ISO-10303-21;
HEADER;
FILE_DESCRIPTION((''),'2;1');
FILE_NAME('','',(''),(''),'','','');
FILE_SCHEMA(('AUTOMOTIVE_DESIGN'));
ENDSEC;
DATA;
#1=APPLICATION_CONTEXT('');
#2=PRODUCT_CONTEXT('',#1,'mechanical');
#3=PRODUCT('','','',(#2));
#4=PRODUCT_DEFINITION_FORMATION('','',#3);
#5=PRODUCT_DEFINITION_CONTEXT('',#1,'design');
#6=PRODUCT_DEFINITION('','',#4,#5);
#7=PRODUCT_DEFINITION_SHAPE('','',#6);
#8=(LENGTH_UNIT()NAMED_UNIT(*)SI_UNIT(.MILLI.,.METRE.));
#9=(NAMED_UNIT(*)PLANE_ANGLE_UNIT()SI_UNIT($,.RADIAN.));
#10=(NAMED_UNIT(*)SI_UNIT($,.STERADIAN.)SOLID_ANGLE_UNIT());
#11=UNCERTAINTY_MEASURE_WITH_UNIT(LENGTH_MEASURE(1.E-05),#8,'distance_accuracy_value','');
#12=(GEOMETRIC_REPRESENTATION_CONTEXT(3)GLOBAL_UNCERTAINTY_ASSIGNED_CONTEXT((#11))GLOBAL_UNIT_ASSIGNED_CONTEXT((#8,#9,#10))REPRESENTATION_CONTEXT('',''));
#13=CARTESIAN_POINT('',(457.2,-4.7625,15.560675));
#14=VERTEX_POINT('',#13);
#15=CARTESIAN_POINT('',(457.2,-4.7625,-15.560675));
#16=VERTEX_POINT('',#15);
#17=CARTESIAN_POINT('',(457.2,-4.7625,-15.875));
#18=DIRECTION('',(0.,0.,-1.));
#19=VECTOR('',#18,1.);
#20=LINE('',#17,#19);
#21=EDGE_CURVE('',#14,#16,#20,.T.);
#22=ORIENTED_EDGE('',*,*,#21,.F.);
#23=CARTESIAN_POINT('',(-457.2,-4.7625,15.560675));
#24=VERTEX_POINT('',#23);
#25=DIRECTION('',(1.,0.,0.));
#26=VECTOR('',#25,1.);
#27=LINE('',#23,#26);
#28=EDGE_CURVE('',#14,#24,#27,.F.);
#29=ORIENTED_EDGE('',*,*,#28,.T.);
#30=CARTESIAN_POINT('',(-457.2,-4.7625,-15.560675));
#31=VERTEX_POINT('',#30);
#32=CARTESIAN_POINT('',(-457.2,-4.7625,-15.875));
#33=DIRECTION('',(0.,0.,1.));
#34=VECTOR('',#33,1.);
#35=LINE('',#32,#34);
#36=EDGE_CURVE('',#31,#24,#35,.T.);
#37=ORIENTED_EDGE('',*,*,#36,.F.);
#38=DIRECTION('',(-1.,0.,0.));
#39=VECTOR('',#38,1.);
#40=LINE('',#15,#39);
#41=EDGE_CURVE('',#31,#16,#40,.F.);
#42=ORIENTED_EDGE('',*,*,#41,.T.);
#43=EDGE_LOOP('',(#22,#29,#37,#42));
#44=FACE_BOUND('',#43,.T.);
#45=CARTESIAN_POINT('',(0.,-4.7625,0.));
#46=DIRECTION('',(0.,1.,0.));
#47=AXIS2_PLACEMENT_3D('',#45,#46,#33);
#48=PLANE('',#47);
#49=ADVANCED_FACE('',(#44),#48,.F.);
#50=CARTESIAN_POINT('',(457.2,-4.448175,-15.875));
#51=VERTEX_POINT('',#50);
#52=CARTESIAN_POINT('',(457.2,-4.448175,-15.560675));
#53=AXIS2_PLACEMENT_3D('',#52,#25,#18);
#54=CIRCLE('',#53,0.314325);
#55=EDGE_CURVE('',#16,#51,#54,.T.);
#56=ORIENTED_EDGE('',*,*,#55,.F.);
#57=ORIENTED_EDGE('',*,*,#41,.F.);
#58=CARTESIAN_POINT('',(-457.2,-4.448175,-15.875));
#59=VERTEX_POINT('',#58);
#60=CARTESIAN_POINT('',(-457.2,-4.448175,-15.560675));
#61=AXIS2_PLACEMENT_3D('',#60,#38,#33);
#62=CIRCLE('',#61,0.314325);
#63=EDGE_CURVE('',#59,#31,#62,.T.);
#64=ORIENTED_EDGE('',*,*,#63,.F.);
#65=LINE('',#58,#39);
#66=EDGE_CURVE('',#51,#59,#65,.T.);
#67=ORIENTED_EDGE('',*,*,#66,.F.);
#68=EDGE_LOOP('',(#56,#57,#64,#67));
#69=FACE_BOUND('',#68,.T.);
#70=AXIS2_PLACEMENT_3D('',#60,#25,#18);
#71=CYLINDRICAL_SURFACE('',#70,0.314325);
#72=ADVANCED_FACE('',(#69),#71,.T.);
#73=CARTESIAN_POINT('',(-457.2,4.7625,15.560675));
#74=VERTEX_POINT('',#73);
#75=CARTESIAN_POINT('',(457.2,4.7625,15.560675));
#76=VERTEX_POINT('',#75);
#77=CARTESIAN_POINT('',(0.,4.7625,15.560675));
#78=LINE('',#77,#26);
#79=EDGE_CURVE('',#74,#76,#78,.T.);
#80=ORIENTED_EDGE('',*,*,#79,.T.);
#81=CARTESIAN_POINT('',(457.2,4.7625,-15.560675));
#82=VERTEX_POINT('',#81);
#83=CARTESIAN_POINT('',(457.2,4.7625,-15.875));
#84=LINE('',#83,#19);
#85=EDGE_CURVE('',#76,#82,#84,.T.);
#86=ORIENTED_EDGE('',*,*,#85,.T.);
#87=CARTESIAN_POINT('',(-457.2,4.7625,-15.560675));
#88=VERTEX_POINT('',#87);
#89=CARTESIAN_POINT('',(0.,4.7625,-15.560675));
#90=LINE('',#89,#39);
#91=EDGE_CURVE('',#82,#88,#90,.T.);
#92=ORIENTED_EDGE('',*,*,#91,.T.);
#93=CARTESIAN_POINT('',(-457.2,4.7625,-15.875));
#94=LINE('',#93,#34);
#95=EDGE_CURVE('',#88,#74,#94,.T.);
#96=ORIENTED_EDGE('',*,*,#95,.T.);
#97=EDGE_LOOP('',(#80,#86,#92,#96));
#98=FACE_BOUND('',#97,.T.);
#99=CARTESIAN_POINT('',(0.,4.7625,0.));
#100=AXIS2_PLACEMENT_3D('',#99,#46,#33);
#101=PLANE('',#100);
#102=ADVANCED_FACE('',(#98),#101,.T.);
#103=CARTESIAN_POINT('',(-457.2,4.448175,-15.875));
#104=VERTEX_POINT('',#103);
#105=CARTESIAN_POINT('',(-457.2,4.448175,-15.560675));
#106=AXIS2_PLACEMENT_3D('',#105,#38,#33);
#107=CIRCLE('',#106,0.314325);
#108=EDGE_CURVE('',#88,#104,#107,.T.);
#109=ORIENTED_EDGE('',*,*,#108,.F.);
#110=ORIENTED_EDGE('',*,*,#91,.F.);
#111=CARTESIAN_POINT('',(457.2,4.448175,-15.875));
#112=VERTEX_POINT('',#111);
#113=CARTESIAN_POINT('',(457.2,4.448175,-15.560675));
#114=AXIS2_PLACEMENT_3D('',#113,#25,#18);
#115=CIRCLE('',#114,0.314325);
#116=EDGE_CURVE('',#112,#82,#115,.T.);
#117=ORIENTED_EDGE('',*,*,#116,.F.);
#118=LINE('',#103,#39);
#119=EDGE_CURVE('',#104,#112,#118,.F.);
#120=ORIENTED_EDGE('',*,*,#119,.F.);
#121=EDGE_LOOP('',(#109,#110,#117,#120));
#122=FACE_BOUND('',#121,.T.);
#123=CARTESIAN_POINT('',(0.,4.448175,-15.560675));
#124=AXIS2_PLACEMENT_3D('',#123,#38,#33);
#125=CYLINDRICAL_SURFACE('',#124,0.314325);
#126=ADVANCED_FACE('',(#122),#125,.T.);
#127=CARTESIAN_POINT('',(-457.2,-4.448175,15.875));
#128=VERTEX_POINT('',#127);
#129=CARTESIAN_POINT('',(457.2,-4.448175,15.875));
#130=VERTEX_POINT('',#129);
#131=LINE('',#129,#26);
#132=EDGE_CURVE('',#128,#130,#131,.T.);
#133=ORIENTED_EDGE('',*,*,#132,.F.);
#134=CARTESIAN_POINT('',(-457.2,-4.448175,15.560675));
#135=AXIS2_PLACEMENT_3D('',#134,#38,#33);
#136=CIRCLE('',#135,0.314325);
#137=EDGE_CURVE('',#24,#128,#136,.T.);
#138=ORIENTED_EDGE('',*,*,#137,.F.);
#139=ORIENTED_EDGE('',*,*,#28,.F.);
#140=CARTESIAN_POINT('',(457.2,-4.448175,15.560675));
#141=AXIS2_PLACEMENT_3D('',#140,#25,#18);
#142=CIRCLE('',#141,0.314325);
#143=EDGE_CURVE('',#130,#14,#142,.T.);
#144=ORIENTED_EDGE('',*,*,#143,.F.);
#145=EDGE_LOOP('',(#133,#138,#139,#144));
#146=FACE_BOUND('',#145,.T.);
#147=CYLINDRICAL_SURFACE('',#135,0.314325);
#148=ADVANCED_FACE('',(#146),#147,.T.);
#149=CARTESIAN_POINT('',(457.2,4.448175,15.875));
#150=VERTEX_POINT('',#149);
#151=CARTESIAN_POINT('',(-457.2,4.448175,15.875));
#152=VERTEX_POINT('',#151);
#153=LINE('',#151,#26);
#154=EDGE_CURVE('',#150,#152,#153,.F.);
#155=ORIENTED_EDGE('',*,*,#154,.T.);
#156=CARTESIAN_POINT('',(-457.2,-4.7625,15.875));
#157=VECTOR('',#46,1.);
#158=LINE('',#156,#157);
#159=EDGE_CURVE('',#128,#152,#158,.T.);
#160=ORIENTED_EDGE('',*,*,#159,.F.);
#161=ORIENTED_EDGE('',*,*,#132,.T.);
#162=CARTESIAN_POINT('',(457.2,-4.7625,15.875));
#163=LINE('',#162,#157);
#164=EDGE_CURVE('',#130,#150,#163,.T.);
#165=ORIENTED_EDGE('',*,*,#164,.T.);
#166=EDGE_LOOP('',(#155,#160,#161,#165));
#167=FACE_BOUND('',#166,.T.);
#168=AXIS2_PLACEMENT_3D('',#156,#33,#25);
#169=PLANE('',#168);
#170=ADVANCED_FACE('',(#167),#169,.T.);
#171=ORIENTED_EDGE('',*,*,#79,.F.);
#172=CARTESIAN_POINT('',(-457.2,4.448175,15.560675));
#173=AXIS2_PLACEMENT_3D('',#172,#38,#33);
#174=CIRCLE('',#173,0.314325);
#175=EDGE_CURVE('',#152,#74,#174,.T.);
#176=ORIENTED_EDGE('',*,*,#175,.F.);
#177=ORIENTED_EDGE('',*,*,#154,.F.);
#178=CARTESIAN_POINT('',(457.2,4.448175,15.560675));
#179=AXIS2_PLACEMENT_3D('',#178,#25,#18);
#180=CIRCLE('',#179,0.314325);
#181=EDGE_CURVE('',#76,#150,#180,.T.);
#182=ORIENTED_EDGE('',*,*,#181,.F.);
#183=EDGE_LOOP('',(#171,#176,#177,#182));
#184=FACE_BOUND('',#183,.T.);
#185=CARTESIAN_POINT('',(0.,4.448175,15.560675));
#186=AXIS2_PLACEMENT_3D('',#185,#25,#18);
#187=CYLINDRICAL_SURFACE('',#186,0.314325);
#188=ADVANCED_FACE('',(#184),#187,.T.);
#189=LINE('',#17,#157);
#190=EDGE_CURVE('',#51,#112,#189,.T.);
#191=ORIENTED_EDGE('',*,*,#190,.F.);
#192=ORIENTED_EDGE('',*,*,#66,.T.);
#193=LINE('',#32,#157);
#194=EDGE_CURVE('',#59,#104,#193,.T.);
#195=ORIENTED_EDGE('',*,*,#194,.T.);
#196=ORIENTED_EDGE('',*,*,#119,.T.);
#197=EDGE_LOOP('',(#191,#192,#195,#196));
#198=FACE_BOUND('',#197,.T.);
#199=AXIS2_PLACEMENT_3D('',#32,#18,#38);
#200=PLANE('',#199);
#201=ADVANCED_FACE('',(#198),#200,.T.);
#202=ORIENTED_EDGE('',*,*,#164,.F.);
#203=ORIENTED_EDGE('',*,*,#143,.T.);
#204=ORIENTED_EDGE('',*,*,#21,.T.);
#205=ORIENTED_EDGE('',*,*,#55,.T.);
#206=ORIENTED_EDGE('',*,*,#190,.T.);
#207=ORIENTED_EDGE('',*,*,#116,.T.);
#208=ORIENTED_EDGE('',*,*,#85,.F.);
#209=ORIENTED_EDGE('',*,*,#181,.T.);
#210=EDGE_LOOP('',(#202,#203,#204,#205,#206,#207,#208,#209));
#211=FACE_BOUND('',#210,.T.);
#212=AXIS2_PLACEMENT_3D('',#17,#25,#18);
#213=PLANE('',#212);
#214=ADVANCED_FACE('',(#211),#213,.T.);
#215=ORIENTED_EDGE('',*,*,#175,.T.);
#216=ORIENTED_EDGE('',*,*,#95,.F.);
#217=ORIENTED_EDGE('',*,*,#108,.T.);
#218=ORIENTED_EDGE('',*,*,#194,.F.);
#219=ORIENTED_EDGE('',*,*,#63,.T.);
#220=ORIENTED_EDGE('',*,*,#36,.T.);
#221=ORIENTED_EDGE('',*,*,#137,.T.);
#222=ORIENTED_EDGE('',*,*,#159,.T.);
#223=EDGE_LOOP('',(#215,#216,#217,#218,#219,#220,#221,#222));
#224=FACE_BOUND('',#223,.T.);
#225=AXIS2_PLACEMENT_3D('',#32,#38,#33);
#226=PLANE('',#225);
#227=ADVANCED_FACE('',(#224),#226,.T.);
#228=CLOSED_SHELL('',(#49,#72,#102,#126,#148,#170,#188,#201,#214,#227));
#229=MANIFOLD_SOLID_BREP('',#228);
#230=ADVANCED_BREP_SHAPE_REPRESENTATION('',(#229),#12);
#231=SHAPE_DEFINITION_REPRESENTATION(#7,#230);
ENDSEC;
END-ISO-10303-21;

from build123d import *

# Parameters (mm, degrees)
BOSS_EXTRUDE1_DEPTH      = 4.7625
BOSS_EXTRUDE1_DEPTH_BACK = 4.7625
SKETCH3_W                = 914.4
SKETCH3_H                = 31.75
FILLET1_R                = 0.314325


with BuildPart() as part:
    # Sketch3 → Boss-Extrude1 (new, two sides: drawn at the far end of the back side and taken through both)
    with BuildSketch(Plane(origin=(0, 0, 0), x_dir=(1, 0, 0), z_dir=(0, 1, 0)).offset(-BOSS_EXTRUDE1_DEPTH_BACK)):
        Rectangle(SKETCH3_W, SKETCH3_H)
    extrude(amount=BOSS_EXTRUDE1_DEPTH + BOSS_EXTRUDE1_DEPTH_BACK)

    # Fillet1
    fillet1_edges = [part.edges().sort_by_distance(p)[0] for p in [
        (0, 4.7625, 15.875),
        (0, -4.7625, -15.875),
        (0, 4.7625, -15.875),
        (0, -4.7625, 15.875),
    ]]
    fillet(fillet1_edges, radius=FILLET1_R)


solid = part.part
